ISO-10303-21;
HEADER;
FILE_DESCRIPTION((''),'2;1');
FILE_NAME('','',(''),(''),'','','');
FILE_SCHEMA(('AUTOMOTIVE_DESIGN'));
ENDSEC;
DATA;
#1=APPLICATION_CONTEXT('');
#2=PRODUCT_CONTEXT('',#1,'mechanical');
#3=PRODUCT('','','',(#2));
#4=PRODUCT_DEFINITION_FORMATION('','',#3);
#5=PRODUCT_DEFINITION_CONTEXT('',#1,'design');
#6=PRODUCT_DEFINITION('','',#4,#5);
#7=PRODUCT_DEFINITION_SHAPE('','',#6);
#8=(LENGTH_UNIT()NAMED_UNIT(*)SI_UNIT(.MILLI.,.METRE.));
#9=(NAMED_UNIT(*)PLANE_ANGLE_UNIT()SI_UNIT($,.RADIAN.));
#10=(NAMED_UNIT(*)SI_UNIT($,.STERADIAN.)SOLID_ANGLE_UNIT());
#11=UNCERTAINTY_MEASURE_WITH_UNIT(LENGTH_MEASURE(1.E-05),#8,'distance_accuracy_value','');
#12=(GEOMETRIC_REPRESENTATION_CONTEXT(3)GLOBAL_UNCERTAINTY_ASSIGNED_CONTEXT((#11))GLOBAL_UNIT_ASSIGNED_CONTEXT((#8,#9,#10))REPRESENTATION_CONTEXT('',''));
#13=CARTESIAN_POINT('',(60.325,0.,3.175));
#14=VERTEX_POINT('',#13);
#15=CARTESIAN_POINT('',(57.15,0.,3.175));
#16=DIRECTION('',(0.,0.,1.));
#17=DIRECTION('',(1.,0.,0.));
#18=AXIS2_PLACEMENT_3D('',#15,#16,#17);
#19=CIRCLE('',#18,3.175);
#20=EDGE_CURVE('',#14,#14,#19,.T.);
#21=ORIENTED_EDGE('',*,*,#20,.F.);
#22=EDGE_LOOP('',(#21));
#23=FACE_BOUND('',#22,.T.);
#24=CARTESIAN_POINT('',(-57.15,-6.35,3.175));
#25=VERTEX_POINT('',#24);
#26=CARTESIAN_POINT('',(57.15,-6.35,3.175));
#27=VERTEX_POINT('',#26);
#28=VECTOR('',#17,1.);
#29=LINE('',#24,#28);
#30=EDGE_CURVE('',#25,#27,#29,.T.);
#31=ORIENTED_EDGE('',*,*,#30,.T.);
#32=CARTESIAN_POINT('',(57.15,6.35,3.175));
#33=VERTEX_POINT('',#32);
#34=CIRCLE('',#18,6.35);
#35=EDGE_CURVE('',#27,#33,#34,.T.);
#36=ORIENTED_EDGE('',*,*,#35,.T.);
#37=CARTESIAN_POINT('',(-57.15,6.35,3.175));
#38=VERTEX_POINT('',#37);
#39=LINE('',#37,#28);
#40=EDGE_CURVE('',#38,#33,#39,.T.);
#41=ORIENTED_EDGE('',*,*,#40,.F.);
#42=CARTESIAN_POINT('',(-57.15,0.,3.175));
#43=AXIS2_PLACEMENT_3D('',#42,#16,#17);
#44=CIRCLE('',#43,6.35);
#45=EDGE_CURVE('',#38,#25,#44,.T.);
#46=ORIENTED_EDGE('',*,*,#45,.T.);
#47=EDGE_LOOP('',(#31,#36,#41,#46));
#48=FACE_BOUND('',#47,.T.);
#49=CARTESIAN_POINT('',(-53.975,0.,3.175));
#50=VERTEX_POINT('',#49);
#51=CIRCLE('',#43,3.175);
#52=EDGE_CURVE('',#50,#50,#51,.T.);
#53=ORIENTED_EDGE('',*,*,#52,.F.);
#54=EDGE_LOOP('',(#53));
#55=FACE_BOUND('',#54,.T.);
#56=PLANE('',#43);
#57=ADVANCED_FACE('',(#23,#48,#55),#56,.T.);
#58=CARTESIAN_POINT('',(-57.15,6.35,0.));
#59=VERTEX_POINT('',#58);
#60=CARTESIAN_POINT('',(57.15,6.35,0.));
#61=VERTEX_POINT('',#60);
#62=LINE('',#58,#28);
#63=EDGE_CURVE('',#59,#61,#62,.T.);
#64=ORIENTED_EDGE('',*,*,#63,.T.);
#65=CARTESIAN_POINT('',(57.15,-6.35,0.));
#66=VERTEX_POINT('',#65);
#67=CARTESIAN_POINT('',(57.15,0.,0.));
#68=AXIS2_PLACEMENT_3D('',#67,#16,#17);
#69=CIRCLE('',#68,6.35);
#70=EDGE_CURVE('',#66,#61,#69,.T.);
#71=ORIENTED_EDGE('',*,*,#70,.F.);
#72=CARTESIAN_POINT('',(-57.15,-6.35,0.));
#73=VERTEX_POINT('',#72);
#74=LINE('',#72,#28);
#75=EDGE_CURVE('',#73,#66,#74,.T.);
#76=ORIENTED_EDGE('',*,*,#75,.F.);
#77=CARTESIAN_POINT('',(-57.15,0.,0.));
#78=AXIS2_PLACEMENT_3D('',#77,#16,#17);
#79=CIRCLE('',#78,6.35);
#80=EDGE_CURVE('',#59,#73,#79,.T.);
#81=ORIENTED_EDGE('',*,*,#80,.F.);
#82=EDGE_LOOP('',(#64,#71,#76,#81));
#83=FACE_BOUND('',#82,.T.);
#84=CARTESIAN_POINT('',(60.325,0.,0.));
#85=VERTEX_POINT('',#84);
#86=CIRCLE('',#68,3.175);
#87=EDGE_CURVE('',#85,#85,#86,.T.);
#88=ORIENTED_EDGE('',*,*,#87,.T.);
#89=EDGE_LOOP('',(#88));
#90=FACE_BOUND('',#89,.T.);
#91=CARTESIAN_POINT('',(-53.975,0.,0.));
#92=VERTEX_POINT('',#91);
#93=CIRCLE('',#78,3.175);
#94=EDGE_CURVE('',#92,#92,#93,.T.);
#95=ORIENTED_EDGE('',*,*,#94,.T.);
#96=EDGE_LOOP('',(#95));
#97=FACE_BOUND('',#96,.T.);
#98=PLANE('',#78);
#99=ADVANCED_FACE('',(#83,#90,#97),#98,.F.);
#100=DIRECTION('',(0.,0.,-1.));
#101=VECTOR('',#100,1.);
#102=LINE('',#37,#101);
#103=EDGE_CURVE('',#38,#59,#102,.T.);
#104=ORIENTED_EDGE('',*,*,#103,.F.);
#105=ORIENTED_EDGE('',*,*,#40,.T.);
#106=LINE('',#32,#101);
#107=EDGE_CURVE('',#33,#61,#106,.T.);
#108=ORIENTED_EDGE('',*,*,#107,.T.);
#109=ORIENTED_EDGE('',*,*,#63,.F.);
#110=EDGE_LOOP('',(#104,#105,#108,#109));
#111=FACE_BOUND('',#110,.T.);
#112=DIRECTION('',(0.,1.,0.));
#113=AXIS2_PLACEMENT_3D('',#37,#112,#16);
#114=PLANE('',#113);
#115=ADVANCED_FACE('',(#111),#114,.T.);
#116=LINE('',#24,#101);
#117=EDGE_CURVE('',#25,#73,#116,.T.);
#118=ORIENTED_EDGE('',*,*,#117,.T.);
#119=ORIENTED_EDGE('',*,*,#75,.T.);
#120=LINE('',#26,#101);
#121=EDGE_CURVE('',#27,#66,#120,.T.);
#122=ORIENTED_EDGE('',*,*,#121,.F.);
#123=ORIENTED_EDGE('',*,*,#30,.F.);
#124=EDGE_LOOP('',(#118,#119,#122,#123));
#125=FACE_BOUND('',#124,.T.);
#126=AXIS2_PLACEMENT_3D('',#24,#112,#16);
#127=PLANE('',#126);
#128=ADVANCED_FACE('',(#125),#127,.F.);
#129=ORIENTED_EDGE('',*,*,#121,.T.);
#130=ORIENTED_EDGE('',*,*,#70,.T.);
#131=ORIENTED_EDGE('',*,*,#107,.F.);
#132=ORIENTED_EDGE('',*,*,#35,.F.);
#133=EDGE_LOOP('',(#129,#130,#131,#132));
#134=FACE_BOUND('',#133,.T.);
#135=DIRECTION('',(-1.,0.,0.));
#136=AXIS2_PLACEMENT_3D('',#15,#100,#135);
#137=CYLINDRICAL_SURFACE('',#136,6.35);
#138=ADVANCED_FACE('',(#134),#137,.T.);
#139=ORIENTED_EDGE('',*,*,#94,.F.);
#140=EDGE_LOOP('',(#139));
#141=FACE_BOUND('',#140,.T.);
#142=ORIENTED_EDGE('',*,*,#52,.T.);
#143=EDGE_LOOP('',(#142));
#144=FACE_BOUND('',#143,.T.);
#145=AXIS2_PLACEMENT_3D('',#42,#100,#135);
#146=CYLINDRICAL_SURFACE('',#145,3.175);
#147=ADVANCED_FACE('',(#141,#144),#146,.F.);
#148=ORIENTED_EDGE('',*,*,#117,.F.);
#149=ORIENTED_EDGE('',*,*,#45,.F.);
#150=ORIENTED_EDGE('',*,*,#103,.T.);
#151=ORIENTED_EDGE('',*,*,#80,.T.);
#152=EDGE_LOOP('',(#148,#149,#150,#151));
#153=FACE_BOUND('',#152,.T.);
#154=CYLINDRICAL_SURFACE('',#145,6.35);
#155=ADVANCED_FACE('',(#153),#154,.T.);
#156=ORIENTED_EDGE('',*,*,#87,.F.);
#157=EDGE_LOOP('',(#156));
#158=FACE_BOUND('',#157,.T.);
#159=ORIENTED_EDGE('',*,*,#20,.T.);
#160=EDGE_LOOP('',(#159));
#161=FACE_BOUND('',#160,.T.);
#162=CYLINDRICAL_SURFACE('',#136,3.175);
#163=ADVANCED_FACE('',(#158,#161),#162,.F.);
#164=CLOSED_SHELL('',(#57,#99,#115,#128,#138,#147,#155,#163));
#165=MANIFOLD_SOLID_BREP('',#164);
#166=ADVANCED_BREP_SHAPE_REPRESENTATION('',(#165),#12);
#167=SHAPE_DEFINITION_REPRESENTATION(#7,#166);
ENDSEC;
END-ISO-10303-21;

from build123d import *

# Parameters (mm, degrees)
SKETCH1_R           = 3.175
BOSS_EXTRUDE2_DEPTH = 3.175


with BuildPart() as part:
    # Sketch1 → Boss-Extrude2 (new body)
    with BuildSketch(Plane.XY):
        with BuildLine():
            Line((-57.15, 6.35), (57.15, 6.35))
            ThreePointArc((57.15, 6.35), (63.5, 0), (57.15, -6.35))
            Line((57.15, -6.35), (-57.15, -6.35))
            ThreePointArc((-57.15, -6.35), (-63.5, 0), (-57.15, 6.35))
        make_face()
        with Locations((-57.15, 0)):
            Circle(SKETCH1_R, mode=Mode.SUBTRACT)
        with Locations((57.15, 0)):
            Circle(SKETCH1_R, mode=Mode.SUBTRACT)
    extrude(amount=BOSS_EXTRUDE2_DEPTH)


solid = part.part
